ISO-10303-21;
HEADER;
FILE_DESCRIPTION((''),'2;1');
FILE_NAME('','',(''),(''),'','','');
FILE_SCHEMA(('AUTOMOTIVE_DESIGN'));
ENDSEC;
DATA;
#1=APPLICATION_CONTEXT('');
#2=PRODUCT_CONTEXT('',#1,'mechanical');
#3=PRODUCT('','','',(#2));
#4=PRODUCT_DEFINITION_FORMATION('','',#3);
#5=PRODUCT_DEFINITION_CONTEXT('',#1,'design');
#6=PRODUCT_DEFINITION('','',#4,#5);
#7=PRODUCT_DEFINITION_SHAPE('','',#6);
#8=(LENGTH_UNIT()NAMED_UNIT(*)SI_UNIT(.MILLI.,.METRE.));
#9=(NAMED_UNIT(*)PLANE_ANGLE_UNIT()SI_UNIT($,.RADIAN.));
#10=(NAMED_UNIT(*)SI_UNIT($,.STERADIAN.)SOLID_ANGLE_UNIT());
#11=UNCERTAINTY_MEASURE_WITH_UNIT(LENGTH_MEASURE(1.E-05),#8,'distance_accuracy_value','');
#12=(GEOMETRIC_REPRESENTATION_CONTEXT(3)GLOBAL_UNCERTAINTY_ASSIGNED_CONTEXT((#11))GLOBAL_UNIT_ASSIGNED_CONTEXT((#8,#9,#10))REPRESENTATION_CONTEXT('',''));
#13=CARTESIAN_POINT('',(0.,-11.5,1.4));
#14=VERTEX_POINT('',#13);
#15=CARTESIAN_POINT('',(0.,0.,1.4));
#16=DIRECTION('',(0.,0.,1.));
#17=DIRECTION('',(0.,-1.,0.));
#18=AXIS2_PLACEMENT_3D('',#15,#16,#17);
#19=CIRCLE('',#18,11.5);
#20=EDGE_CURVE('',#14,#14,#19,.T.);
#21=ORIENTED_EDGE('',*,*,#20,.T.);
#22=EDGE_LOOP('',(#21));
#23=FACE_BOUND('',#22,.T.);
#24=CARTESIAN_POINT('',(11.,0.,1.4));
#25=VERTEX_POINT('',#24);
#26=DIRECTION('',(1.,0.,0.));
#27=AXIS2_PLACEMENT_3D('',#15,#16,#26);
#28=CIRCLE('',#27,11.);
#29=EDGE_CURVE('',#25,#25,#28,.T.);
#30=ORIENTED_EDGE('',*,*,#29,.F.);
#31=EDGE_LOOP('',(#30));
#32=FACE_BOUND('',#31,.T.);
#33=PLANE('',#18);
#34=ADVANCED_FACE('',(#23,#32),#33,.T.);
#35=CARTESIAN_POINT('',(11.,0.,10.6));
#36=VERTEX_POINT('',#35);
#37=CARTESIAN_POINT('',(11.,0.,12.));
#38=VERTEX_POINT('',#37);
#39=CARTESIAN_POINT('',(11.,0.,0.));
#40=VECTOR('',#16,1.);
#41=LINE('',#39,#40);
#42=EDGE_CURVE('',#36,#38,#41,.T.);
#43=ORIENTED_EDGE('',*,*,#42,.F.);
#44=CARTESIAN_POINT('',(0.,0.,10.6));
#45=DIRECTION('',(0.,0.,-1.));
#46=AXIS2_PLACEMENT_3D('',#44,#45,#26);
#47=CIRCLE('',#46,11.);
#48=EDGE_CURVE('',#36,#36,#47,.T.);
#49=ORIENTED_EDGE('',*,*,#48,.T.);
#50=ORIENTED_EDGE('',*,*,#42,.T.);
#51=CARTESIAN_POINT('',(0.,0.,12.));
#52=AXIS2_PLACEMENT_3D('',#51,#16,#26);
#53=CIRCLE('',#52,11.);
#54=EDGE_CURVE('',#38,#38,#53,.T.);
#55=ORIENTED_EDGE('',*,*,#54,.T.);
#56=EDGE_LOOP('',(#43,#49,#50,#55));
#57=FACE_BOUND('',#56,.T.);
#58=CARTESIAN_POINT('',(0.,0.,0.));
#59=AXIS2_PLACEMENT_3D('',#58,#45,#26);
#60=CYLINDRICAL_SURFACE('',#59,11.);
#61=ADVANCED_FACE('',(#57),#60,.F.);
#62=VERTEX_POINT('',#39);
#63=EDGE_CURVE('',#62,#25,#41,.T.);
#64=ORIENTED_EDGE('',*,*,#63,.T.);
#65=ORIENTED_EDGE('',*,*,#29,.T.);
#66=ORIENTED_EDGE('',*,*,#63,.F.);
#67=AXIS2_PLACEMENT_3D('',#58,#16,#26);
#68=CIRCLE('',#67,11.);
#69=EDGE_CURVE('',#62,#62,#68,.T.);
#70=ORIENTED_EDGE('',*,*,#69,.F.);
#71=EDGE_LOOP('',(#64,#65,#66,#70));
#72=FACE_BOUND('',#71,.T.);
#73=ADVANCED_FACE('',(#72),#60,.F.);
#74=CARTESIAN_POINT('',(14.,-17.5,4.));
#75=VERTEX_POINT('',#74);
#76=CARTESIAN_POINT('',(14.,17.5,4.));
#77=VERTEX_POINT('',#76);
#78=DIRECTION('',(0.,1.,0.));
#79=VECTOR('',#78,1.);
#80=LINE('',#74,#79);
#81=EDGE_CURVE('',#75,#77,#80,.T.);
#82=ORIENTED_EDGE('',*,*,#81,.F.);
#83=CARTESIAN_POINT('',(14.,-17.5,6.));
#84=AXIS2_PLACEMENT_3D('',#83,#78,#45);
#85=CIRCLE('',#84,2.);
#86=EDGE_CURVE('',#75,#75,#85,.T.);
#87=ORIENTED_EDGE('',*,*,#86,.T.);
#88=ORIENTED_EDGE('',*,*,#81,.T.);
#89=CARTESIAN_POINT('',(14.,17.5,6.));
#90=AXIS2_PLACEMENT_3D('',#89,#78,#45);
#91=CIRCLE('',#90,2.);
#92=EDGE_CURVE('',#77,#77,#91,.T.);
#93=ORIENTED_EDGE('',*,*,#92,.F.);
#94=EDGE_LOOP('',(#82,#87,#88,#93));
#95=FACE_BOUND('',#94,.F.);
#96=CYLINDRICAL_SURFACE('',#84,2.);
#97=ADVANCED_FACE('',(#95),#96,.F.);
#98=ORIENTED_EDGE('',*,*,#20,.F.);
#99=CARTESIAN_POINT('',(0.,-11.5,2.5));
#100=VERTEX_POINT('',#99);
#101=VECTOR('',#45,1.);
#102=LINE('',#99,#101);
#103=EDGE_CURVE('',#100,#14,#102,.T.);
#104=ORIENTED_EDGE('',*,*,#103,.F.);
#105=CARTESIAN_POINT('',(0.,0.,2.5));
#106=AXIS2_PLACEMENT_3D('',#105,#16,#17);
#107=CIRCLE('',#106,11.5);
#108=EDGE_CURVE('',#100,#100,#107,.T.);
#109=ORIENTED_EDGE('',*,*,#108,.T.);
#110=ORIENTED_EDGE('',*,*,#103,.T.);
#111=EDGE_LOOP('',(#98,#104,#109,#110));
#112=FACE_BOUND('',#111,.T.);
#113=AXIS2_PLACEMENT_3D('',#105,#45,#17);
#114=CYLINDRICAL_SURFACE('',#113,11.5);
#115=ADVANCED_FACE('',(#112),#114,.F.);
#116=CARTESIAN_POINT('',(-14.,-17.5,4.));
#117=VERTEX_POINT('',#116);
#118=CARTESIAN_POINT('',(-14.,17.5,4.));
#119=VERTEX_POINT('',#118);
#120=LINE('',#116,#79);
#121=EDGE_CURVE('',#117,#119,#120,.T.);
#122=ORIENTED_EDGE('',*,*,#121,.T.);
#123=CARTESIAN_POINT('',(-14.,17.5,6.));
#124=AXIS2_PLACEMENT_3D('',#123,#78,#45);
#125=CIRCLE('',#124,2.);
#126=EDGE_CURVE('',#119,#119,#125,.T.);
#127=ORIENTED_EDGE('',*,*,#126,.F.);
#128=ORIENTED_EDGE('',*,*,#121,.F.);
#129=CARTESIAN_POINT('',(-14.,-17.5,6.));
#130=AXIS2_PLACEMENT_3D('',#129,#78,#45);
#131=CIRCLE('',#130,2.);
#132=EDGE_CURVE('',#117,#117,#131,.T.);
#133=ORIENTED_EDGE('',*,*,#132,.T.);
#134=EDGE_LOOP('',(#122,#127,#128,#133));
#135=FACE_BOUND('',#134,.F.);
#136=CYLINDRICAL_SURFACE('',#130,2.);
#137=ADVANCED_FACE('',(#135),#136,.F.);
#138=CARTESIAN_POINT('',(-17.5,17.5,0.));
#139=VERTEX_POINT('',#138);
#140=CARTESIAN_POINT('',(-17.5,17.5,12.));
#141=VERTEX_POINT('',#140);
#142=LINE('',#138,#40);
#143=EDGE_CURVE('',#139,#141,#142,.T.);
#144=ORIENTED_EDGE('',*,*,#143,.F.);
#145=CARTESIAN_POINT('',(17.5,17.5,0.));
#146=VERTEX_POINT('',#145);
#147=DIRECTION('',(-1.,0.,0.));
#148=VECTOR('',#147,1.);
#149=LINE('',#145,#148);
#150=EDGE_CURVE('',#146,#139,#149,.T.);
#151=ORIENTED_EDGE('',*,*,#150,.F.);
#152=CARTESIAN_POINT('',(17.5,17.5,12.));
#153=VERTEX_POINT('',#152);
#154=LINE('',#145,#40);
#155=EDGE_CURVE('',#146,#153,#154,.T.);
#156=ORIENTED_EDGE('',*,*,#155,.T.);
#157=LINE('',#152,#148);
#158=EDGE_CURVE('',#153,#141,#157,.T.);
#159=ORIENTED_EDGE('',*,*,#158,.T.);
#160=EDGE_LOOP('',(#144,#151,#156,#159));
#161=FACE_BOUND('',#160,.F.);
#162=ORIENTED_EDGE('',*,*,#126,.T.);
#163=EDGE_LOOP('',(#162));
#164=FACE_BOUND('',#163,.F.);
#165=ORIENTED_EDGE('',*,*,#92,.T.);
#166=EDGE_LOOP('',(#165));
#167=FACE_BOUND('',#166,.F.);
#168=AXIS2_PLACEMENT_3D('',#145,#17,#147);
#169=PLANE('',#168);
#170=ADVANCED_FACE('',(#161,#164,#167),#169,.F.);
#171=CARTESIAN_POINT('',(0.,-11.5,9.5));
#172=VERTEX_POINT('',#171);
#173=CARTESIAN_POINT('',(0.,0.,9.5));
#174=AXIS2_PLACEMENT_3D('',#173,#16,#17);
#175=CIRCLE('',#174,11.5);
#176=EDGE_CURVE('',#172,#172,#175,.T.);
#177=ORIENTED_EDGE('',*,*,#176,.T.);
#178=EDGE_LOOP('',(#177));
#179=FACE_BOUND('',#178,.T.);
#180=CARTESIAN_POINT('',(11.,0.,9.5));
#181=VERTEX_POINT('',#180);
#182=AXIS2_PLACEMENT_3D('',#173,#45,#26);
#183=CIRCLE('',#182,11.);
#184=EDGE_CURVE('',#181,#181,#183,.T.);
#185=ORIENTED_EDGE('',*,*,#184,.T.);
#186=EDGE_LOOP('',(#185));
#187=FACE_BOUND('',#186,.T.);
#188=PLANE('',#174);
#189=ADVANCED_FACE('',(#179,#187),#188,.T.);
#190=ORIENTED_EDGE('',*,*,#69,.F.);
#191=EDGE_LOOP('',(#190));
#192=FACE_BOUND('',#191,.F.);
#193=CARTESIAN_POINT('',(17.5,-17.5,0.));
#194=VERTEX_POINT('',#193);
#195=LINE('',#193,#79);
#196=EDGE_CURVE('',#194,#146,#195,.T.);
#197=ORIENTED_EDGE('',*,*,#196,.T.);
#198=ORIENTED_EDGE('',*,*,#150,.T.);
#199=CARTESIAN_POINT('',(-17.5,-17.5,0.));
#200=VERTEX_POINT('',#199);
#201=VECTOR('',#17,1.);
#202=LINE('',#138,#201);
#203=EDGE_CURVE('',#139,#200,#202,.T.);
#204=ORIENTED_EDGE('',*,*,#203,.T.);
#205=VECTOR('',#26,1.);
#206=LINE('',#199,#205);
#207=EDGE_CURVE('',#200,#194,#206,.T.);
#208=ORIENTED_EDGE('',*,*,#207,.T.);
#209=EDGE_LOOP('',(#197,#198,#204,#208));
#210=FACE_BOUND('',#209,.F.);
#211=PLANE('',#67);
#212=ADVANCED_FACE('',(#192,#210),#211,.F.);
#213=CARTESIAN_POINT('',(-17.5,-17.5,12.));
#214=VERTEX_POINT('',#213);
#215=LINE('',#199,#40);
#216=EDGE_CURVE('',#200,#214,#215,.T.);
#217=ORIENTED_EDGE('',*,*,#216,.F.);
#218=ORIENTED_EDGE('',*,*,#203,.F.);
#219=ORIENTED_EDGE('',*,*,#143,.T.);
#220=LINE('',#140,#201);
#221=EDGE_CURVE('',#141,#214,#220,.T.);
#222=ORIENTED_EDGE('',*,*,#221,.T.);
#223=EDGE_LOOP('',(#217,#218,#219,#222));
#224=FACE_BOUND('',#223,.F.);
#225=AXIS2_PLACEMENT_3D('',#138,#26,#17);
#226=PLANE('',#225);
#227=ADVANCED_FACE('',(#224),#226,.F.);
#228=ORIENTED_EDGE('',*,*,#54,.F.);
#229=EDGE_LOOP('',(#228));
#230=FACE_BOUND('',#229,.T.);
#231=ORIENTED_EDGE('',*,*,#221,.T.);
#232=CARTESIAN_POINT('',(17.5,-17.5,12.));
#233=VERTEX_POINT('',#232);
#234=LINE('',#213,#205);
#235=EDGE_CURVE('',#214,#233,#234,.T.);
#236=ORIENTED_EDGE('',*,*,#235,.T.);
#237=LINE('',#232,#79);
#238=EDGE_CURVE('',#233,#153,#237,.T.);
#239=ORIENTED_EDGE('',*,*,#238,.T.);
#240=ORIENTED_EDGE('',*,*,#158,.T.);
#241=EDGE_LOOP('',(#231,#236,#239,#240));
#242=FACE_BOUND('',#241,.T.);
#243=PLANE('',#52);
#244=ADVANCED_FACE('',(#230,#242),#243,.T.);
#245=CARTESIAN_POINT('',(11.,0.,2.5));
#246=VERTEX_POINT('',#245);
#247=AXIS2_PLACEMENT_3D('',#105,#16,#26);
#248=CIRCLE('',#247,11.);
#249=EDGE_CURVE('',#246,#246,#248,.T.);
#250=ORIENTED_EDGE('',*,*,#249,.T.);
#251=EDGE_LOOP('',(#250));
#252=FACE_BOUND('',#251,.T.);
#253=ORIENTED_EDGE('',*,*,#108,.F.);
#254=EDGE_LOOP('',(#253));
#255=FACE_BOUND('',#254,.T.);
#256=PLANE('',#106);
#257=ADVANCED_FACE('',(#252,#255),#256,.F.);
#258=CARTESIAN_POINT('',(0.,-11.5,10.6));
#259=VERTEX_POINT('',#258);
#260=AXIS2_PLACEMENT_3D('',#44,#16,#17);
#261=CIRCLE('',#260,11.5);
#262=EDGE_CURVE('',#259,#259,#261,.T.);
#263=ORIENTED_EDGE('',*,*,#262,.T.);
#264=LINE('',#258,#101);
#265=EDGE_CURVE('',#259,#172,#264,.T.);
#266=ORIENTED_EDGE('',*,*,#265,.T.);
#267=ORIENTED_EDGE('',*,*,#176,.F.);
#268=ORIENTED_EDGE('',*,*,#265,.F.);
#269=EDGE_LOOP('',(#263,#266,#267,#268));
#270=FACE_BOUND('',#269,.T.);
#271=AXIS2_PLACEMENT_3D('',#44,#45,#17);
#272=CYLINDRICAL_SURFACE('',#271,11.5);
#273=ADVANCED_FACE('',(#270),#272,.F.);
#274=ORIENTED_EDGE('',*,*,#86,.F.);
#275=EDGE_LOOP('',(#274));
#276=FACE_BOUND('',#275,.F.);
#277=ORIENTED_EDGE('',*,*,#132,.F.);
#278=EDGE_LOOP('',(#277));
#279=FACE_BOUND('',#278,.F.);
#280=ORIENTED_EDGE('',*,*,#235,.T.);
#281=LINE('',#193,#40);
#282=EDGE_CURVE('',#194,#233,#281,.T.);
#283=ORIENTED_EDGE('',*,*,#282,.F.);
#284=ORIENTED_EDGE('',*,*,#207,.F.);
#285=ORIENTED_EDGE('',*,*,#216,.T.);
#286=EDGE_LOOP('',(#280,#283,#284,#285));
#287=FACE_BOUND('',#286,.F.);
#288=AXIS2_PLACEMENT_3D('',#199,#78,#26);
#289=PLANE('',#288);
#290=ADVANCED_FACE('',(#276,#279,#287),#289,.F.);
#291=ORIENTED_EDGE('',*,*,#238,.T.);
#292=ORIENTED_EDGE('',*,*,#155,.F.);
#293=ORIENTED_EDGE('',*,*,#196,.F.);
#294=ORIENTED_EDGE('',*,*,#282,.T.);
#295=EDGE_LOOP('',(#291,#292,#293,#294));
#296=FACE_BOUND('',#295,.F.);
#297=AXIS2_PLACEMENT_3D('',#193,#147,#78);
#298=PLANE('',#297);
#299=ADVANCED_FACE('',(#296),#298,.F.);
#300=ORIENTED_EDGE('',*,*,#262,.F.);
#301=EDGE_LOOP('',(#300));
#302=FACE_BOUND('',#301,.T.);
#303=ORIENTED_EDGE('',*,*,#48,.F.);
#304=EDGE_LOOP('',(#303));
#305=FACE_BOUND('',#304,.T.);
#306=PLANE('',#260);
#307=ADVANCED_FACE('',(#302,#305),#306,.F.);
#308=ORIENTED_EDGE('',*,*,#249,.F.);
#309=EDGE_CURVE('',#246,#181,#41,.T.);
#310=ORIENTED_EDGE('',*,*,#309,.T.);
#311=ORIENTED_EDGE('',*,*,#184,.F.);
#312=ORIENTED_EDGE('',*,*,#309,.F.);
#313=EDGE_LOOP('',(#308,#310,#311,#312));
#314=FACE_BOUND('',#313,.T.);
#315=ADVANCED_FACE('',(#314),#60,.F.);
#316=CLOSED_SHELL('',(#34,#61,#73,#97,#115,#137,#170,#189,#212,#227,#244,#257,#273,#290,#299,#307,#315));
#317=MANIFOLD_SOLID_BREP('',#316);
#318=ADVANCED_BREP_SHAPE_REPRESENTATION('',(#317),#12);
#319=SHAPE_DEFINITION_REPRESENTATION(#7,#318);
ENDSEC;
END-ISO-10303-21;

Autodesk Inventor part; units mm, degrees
ref_plane "YZ Plane" through (0, 0, 0) normal (1, 0, 0) x (0, 1, 0)
ref_plane "XZ Plane" through (0, 0, 0) normal (0, 1, 0) x (-1, 0, 0)
ref_plane "XY Plane" through (0, 0, 0) normal (0, 0, 1) x (1, 0, 0)
sketch "Szkic1" plane through (0, 0, 0) normal (0, 0, 1) x (1, 0, 0)
  circle A0 centre (0, 0) radius 11
  line L0 (-17.5, -17.5) -> (17.5, -17.5)
  line L1 (17.5, -17.5) -> (17.5, 17.5)
  line L2 (17.5, 17.5) -> (-17.5, 17.5)
  line L3 (-17.5, 17.5) -> (-17.5, -17.5)
  line L4 (-17.5, -17.5) -> (17.5, 17.5) construction
  line L5 (17.5, -17.5) -> (-17.5, 17.5) construction
  dimension "d0" = 22
  dimension "d1" = 35
extrude "Wyciągnięcie proste1" add sketch "Szkic1" along normal blind 12
sketch "Szkic2" plane through (0, 0, 0) normal (1, 0, 0) x (0, 1, 0)
  line L0 (-11, 12) -> (11, 12) projected
  line L1 (11, 0) -> (-11, 0) projected
  line L2 (-11, 0) -> (-11, 12) projected
  line L3 (-11, 10.6) -> (-11.5, 10.6)
  line L4 (-11.5, 10.6) -> (-11.5, 9.5)
  line L5 (-11.5, 9.5) -> (-11, 9.5)
  line L6 (-11, 9.5) -> (-11, 10.6)
  line L7 (11, 0) -> (11, 12) construction
  line L8 (11, 6) -> (-11, 6) construction
  line L9 (-11, 2.5) -> (-11.5, 2.5)
  line L10 (-11.5, 2.5) -> (-11.5, 1.4)
  line L11 (-11.5, 1.4) -> (-11, 1.4)
  line L12 (-11, 1.4) -> (-11, 2.5)
  line L13 (0, 0) -> (0, 12) construction
  dimension "d4" = 1.1
  dimension "d5" = 0.5
  dimension "d8" = 7
revolve "Obrót1" cut sketch "Szkic2" angle 360 about axis through (0, 0, 0) along (0, 0, 1)
sketch "Szkic3" plane through (-17.5, -17.5, 0) normal (0, -1, 0) x (1, 0, 0)
  line L0 (0, 0) -> (35, 0) projected
  line L1 (35, 0) -> (35, 12) projected
  line L2 (0, 12) -> (35, 12) projected
  line L3 (0, 0) -> (0, 12) projected
  line L4 (35, 6) -> (0, 6) construction
  line L5 (0, 12) -> (35, 12) construction
  line L6 (17.5, 12) -> (17.5, 0) construction
  point P0 (31.5, 6)
  point P1 (3.5, 6)
  dimension "d9" = 28
hole "Otwór1" at (14, -17.5, 6) at (-14, -17.5, 6) direction (0, 1, 0) diameter 4 end through all
properties part number "bearing"
